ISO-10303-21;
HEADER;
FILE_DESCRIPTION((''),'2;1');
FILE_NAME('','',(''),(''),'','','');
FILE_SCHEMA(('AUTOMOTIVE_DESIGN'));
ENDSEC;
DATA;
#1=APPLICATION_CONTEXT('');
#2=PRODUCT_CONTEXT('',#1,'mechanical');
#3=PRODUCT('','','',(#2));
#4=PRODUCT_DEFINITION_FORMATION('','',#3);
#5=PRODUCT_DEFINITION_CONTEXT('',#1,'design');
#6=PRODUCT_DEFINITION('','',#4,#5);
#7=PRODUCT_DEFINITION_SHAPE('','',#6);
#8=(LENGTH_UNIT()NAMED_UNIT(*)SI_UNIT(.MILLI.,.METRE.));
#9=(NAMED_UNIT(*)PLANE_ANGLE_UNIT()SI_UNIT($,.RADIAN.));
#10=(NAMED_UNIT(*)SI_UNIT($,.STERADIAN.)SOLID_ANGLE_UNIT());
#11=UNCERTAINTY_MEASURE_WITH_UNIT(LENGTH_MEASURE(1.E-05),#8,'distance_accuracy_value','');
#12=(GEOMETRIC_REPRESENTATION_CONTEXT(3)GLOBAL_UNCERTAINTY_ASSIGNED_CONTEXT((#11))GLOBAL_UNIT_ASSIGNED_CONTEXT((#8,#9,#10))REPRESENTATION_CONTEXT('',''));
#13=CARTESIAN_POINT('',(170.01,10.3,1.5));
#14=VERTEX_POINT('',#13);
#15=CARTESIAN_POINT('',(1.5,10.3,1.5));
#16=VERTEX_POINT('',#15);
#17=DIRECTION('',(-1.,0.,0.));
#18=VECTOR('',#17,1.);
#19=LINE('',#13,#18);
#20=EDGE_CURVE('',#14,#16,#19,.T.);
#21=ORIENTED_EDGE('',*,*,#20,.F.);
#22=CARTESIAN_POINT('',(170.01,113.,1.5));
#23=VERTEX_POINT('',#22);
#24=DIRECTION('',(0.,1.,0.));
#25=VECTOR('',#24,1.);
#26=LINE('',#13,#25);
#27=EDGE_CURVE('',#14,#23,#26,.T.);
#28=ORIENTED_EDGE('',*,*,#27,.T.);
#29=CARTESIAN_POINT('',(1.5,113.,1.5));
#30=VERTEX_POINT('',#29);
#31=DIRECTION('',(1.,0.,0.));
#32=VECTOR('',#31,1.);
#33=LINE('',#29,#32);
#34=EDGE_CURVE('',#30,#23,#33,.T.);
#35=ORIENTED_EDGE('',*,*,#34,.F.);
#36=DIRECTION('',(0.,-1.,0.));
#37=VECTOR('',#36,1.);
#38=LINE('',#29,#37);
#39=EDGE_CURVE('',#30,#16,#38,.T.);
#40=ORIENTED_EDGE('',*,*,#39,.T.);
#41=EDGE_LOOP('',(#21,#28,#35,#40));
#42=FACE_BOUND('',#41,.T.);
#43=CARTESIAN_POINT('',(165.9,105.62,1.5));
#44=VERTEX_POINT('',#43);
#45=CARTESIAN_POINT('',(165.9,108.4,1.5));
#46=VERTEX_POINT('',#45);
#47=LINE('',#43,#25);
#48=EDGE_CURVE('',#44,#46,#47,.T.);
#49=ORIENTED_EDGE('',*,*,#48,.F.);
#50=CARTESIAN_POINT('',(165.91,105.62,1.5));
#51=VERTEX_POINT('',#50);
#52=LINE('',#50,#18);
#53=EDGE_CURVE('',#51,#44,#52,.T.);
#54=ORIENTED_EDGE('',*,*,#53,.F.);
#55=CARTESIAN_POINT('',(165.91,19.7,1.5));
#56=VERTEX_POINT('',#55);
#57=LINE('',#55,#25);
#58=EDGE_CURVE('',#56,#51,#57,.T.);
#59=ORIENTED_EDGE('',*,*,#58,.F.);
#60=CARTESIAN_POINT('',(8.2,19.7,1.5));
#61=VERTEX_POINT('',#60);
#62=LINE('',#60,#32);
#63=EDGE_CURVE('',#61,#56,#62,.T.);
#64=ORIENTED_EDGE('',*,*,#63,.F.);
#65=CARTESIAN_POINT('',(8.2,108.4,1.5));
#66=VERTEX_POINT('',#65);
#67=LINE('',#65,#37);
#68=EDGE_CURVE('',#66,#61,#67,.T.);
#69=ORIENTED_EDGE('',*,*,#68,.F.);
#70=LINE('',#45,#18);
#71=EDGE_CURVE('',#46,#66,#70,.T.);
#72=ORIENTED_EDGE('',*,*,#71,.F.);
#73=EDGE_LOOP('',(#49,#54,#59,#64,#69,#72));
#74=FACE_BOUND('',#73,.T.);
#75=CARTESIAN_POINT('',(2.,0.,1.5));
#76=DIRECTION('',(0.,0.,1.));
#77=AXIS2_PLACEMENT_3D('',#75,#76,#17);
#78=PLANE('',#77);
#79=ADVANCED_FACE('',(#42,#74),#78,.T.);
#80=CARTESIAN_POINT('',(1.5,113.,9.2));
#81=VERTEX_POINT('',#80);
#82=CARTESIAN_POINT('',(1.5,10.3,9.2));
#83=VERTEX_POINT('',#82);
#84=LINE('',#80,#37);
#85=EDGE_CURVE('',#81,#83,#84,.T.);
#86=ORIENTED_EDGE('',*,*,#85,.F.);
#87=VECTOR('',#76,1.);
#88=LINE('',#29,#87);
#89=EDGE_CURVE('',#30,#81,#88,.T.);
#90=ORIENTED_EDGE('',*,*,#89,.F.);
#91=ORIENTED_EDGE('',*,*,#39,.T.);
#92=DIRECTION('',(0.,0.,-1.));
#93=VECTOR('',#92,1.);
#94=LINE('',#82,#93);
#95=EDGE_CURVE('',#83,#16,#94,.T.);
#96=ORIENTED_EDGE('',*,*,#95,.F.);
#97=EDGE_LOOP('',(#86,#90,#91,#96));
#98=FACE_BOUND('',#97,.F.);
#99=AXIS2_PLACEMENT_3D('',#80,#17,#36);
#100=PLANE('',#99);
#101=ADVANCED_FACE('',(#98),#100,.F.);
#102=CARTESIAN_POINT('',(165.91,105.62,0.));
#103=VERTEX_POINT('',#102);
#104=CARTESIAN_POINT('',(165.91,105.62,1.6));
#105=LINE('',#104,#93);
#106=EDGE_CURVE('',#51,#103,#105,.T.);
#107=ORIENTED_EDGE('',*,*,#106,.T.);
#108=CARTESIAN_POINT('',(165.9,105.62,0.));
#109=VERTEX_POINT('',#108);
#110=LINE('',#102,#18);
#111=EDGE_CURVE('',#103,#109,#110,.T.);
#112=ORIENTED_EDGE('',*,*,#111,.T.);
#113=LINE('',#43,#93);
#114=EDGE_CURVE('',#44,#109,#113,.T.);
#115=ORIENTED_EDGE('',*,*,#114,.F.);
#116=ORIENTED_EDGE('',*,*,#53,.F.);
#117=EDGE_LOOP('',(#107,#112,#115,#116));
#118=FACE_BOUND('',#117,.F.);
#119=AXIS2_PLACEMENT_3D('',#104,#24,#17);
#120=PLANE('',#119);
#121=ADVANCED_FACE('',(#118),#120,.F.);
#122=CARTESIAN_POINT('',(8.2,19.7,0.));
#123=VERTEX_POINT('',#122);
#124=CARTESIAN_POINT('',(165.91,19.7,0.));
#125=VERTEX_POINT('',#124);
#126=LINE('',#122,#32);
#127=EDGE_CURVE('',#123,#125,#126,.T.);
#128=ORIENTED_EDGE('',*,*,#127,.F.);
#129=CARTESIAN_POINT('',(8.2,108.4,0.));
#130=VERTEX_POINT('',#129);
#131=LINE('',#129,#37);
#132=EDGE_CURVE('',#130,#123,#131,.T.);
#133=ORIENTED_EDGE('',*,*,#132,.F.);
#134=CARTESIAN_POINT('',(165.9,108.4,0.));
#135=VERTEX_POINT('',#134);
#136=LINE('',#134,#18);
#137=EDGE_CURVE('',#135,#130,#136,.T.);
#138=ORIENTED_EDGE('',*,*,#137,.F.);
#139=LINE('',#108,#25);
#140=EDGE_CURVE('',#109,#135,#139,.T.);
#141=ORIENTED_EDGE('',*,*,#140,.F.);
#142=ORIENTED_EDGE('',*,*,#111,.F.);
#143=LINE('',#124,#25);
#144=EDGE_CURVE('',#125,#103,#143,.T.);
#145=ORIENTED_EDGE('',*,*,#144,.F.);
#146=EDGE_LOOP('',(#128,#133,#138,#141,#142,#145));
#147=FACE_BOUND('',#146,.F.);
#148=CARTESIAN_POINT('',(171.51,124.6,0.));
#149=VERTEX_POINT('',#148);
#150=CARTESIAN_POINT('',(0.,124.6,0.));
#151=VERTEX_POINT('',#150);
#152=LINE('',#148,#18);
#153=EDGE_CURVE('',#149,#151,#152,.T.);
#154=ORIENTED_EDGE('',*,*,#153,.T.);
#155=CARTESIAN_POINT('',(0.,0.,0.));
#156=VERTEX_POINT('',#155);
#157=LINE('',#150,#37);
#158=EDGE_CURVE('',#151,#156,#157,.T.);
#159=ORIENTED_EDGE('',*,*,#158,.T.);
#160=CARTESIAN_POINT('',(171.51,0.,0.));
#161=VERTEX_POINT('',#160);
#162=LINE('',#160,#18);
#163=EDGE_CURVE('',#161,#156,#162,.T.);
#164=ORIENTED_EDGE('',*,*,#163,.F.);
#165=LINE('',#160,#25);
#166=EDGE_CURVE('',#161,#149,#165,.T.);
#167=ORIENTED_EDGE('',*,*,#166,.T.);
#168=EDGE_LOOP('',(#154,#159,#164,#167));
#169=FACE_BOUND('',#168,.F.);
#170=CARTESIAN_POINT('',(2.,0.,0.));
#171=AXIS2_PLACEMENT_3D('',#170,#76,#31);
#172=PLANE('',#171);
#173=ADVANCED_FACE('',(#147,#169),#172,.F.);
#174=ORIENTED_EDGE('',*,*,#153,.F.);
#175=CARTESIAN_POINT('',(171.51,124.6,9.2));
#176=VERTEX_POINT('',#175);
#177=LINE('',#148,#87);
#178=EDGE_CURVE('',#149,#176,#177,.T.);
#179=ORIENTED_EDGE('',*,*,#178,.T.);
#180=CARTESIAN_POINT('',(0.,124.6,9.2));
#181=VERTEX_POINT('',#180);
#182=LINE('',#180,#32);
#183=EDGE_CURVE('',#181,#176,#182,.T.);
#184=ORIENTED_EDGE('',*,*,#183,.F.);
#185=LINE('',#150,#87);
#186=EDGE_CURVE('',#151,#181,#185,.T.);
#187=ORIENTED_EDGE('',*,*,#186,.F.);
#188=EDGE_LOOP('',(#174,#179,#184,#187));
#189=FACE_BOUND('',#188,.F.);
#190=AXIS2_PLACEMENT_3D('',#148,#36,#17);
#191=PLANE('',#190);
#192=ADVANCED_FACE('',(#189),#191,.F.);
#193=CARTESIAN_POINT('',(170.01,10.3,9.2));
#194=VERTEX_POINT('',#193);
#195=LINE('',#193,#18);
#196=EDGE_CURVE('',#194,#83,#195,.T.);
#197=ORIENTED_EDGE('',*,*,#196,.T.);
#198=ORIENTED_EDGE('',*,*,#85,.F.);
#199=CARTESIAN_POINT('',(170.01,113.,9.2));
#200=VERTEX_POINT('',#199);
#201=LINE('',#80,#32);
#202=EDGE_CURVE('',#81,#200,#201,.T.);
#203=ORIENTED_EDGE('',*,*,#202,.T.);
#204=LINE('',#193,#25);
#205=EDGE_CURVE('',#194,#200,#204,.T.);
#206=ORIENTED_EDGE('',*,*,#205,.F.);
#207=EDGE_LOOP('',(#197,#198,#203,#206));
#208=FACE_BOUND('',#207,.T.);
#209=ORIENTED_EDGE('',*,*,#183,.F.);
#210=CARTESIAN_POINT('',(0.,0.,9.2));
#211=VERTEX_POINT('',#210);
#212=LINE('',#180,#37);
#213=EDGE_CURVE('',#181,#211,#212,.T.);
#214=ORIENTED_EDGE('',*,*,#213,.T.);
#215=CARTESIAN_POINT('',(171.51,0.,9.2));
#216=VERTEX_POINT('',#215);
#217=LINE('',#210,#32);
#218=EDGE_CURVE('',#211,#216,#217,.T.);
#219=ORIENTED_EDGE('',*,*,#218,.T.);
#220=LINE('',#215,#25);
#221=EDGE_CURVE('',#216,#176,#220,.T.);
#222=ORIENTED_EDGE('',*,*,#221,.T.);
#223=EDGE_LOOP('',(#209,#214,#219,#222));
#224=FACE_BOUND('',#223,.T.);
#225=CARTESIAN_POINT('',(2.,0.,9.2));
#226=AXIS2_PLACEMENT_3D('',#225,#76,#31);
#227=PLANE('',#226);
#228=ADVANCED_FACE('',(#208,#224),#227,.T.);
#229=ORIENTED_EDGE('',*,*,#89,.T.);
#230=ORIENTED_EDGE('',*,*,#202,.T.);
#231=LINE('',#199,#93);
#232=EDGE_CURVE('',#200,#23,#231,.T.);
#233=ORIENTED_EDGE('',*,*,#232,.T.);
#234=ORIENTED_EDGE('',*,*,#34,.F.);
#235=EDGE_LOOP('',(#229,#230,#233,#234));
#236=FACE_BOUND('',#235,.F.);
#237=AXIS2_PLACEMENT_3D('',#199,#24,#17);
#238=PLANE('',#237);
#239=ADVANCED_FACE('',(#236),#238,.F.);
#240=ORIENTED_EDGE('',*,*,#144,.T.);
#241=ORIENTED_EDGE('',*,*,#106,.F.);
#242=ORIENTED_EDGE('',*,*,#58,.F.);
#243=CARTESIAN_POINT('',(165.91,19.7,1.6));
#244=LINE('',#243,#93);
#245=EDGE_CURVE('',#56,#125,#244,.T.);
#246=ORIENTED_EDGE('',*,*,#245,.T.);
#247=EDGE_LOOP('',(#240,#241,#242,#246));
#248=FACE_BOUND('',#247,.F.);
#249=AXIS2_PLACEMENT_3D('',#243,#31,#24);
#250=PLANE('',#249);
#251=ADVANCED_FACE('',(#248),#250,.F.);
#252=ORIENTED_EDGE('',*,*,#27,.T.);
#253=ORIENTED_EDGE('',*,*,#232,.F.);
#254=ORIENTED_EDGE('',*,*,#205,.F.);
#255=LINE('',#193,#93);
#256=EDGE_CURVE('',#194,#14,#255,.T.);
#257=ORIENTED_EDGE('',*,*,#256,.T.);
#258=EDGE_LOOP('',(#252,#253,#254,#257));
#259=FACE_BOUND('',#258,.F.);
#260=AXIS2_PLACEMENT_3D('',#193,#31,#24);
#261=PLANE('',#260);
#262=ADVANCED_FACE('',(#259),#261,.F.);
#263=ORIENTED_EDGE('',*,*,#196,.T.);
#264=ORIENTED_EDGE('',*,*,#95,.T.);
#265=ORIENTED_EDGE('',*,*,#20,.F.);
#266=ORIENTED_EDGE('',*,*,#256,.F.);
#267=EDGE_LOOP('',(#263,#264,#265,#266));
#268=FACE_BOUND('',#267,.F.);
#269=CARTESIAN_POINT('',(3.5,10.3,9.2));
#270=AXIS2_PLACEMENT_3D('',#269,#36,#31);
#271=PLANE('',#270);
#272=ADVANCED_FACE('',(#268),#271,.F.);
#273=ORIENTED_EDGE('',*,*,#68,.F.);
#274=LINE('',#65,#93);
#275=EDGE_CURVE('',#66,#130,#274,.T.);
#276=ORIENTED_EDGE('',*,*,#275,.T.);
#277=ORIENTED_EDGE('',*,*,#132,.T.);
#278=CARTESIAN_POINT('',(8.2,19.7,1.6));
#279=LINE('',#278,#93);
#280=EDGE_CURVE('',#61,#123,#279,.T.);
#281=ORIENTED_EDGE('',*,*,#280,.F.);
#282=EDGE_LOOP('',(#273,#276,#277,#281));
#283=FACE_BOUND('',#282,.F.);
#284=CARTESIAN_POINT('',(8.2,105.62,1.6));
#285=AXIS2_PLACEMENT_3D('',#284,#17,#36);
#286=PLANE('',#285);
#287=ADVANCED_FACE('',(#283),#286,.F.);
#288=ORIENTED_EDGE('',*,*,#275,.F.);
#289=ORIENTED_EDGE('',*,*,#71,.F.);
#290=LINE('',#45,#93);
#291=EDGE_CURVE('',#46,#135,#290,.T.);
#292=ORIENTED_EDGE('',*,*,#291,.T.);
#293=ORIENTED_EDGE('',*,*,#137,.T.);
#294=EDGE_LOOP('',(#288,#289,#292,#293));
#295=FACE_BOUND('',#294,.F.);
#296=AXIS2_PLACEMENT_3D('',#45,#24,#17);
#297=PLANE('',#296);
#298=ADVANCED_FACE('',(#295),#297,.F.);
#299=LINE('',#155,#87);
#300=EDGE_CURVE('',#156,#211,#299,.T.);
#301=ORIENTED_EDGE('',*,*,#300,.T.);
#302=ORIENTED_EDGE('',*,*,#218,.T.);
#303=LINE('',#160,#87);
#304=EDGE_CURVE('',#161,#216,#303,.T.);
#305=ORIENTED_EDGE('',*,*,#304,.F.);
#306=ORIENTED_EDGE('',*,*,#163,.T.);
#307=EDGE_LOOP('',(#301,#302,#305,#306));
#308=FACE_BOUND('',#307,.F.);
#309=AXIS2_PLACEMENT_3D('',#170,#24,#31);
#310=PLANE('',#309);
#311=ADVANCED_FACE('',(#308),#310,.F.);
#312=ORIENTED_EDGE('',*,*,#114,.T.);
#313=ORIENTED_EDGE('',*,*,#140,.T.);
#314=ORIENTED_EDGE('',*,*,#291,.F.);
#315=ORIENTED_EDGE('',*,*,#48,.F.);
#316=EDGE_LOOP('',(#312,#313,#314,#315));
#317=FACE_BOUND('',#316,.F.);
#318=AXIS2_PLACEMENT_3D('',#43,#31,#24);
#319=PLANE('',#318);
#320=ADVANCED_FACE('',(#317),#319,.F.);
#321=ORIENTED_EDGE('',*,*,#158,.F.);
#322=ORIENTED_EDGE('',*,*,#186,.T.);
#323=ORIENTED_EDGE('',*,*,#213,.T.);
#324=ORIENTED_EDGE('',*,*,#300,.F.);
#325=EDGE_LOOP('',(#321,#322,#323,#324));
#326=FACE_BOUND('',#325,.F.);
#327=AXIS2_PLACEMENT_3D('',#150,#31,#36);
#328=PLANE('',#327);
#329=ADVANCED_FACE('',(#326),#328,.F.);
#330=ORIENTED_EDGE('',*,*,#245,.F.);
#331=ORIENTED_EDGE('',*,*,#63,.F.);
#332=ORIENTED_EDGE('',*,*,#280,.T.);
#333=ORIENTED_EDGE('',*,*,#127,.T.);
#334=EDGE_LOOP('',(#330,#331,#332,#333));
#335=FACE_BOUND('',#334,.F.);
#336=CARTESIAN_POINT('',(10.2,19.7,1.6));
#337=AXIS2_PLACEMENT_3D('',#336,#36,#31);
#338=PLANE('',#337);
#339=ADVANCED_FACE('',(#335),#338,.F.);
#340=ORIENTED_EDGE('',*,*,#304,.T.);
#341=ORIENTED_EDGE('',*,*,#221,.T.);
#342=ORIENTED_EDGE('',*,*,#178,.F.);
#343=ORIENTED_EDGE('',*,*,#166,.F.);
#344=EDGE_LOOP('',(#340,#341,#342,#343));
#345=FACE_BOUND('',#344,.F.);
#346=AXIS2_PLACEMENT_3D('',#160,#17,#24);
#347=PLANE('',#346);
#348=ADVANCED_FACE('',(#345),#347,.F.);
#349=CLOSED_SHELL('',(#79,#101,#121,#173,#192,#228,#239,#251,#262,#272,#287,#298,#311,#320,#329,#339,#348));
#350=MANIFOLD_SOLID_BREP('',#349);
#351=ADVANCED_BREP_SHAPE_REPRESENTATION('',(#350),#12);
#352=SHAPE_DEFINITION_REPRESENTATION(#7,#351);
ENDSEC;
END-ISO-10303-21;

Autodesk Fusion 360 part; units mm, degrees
sketch "Sketch1" plane through (0, 0, 0) normal (0, 0, 1) x (1, 0, 0)
  line L0 (0, 0) -> (169.51, 0)
  line L1 (169.51, 0) -> (169.51, 124.6)
  line L2 (169.51, 124.6) -> (0, 124.6)
  line L3 (0, 124.6) -> (0, 0)
  dimension "d1" = 169.51
  dimension "d2" = 124.6
extrude "Extrude1" add sketch "Sketch1" along normal blind 9.2 makes body 1
sketch "Sketch2" plane through (0, 0, 9.2) normal (0, 0, 1) x (-1, 0, 0)
  line L0 (0, -124.6) -> (0, 0)
  line L1 (0, 0) -> (-169.51, 0)
  line L2 (-169.51, 0) -> (-169.51, -124.6)
  line L3 (-169.51, -124.6) -> (0, -124.6)
  line L4 (-1.5, -10.3) -> (-168.01, -10.3)
  line L5 (-168.01, -10.3) -> (-168.01, -113)
  line L6 (-168.01, -113) -> (-1.5, -113)
  line L7 (-1.5, -113) -> (-1.5, -10.3)
  dimension "d5" = 1.5
  dimension "d6" = 1.5
  dimension "d7" = 11.6
  dimension "d8" = 10.3
extrude "Extrude2" cut sketch "Sketch2" against normal blind 7.6 contours L4 L5 L6 L7 bodies 1
sketch "Sketch3" plane through (0, 0, 1.6) normal (0, 0, 1) x (-1, 0, 0)
  line L0 (-1.5, -113) -> (-1.5, -10.3)
  line L1 (-1.5, -10.3) -> (-168.01, -10.3)
  line L2 (-168.01, -10.3) -> (-168.01, -113)
  line L3 (-168.01, -113) -> (-1.5, -113)
  line L4 (-8.2, -19.7) -> (-163.91, -19.7)
  line L5 (-163.91, -19.7) -> (-163.91, -105.62)
  line L6 (-163.91, -105.62) -> (-8.2, -105.62)
  line L7 (-8.2, -105.62) -> (-8.2, -19.7)
  dimension "d12" = 85.92
  dimension "d13" = 9.4
  dimension "d14" = 6.7
  dimension "d15" = 4.1
extrude "Extrude3" cut sketch "Sketch3" against normal blind 1.6 contours L4 L5 L6 L7 bodies 1
extrude "Extrude4" cut 1 faces at (59.2367, 13.4333, 1.6) along direction (0, 0, -1) blind 0.1 on bodies 1 bodies 1
sketch "Sketch4" plane through (0, 0, 1.5) normal (0, 0, 1) x (-1, 0, 0)
  line L0 (-163.91, -19.7) -> (-8.2, -19.7)
  line L1 (-8.2, -19.7) -> (-8.2, -105.62)
  line L2 (-8.2, -105.62) -> (-163.91, -105.62)
  line L3 (-163.91, -105.62) -> (-163.91, -19.7)
  line L4 (-1.5, -113) -> (-1.5, -10.3)
  line L5 (-1.5, -10.3) -> (-168.01, -10.3)
  line L6 (-168.01, -10.3) -> (-168.01, -113)
  line L7 (-168.01, -113) -> (-1.5, -113)
  line L8 (-8.2, -105.62) -> (-163.9, -105.62)
  line L9 (-163.9, -105.62) -> (-163.9, -108.4)
  line L10 (-163.9, -108.4) -> (-8.2, -108.4)
  line L11 (-8.2, -108.4) -> (-8.2, -105.62)
  dimension "d20" = 4.6
  dimension "d21" = 155.7
extrude "Extrude5" cut sketch "Sketch4" against normal blind 1.5 contours L2 L8 L9 L10 L11 bodies 1
ref_plane "WorkPlane1" through (90, 0, 0) normal (1, 0, 0) x (0, 1, 0)
split "Split1" by plane through (90, 0, 0) normal (1, 0, 0) bodies 1 makes body 2 at (141.14, 6.5667, 0)
move_body "Move1" bodies 2 to x (1, 0, 0) y (0, 1, 0) z (0, 0, 1) at (2, 0, 0)
extrude "Extrude6" add 2 faces at (90, 3.4333, 3.5667) (90, 120.7333, 3.5667) along direction (1, 0, 0) blind 2 on bodies 1 bodies 1 2
